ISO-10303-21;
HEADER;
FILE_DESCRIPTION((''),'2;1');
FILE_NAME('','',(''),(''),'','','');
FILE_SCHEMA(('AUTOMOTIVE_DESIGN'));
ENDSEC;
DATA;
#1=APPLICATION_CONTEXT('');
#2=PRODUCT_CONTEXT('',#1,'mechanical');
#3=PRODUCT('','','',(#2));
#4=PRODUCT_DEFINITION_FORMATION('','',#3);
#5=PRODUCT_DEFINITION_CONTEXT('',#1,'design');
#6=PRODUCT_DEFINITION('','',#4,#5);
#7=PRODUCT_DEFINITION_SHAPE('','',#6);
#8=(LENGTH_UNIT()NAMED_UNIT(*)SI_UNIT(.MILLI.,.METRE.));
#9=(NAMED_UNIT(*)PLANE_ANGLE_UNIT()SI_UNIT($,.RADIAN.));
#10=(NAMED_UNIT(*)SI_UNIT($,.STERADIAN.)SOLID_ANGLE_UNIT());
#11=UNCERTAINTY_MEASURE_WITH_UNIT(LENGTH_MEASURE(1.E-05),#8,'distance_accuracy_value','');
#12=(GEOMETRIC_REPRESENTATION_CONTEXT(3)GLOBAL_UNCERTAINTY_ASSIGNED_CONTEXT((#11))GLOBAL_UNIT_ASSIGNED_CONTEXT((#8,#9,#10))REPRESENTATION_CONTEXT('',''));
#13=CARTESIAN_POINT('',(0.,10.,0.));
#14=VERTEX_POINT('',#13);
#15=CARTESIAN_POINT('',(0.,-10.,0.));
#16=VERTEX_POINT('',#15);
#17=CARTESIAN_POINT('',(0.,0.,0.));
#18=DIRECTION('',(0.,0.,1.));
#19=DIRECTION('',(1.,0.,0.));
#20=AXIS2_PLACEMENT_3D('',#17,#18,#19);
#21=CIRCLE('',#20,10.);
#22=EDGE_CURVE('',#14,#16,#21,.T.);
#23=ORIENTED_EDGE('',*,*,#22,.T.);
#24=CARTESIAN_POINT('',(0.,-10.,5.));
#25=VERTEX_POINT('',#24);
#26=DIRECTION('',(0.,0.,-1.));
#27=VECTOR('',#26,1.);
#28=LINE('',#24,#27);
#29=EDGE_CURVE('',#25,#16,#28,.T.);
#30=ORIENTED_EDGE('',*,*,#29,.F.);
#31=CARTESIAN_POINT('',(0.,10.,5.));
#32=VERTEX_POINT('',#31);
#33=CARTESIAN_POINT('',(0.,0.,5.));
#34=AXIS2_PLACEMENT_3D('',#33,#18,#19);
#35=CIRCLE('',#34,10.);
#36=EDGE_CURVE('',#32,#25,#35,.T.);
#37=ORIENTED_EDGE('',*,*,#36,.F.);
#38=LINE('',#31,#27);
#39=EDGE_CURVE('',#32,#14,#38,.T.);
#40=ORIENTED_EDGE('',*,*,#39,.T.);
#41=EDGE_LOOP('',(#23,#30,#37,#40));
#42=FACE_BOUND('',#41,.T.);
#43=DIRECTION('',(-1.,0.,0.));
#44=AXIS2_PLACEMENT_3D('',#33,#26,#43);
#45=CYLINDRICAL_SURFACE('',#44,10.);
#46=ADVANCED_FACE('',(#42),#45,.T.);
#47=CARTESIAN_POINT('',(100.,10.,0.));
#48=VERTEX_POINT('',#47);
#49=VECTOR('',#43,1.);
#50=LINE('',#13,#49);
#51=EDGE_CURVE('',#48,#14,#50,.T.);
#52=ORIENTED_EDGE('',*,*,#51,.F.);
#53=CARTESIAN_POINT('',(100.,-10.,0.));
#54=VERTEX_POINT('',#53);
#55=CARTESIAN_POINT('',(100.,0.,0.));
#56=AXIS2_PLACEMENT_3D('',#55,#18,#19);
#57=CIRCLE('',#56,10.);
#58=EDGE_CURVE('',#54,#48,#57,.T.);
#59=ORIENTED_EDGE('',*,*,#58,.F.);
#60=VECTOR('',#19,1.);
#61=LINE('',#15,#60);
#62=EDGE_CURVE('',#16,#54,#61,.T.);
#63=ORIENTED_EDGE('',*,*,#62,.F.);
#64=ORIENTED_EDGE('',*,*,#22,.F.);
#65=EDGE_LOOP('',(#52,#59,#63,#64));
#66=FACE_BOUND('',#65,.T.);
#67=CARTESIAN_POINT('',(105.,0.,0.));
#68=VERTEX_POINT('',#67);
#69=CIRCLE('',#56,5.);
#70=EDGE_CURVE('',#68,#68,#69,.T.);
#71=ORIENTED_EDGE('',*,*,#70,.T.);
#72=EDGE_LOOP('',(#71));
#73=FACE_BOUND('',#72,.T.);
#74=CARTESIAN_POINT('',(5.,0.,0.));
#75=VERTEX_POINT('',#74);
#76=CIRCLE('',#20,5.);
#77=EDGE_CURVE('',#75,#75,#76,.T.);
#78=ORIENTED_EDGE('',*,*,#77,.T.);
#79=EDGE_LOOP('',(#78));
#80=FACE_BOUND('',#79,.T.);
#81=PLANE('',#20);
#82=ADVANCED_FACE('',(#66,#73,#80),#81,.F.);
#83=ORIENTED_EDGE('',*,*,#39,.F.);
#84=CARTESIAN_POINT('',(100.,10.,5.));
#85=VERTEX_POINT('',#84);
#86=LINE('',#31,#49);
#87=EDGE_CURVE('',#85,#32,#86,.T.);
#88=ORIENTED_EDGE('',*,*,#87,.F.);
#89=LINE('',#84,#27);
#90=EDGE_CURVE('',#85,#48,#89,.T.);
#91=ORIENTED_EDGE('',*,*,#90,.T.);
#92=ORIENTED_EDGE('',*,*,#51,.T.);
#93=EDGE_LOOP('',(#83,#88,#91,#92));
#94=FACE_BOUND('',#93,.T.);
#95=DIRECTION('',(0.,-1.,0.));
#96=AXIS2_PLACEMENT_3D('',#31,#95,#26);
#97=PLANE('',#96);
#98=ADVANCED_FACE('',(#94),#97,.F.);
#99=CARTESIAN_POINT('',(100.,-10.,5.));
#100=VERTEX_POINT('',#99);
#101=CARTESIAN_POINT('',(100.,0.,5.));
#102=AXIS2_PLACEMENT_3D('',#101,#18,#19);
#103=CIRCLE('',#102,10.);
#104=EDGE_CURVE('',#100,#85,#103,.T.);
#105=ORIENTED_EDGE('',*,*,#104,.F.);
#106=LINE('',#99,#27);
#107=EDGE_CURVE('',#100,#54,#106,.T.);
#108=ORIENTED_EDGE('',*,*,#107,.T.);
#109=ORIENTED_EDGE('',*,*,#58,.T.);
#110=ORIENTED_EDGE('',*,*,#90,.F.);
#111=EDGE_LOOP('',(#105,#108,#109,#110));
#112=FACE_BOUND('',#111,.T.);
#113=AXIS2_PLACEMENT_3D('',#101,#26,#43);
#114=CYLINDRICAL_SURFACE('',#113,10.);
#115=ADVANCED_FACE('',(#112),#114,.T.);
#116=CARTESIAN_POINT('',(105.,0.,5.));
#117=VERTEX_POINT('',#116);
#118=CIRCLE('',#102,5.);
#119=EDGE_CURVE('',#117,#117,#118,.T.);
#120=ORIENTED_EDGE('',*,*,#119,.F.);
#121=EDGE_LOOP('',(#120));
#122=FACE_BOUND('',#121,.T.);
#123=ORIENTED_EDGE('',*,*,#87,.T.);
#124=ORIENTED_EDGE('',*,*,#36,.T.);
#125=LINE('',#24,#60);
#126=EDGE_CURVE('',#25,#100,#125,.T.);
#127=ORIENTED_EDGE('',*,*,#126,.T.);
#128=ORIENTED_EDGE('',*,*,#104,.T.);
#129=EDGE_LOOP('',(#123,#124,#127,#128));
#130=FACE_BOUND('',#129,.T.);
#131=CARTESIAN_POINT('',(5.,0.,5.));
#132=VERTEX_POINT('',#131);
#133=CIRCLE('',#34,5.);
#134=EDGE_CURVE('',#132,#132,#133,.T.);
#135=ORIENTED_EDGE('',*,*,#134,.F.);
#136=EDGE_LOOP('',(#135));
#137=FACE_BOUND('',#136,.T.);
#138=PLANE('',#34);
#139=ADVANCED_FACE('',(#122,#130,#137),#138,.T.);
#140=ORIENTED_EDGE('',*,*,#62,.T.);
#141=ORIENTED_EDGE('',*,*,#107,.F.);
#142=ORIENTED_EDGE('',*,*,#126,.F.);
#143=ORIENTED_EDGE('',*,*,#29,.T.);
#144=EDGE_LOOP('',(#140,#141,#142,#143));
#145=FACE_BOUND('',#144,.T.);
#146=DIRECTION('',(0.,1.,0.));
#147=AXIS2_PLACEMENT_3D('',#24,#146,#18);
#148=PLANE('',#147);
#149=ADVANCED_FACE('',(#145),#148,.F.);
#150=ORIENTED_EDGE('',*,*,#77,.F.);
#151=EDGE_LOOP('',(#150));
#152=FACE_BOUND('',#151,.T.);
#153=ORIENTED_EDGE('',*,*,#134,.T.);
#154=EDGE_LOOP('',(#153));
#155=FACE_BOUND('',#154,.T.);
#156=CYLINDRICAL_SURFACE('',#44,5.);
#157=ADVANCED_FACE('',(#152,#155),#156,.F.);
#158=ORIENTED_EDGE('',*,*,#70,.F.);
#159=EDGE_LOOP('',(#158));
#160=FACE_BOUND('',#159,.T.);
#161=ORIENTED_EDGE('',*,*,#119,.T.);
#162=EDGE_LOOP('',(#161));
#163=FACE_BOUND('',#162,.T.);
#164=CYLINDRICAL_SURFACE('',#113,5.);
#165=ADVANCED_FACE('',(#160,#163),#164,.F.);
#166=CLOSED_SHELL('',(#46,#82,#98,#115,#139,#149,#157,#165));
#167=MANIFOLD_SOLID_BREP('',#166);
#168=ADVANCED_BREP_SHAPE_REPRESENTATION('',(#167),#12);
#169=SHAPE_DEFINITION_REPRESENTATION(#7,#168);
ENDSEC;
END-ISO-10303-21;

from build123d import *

# Parameters (mm, degrees)
SKETCH1_R           = 5
BOSS_EXTRUDE1_DEPTH = 5


with BuildPart() as part:
    # Sketch1 → Boss-Extrude1 (new body)
    with BuildSketch(Plane.XY):
        with BuildLine():
            Line((0, 10), (100, 10))
            ThreePointArc((100, 10), (110, 0), (100, -10))
            Line((100, -10), (0, -10))
            ThreePointArc((0, -10), (-10, 0), (0, 10))
        make_face()
        Circle(SKETCH1_R, mode=Mode.SUBTRACT)
        with Locations((100, 0)):
            Circle(SKETCH1_R, mode=Mode.SUBTRACT)
    extrude(amount=BOSS_EXTRUDE1_DEPTH)


solid = part.part
